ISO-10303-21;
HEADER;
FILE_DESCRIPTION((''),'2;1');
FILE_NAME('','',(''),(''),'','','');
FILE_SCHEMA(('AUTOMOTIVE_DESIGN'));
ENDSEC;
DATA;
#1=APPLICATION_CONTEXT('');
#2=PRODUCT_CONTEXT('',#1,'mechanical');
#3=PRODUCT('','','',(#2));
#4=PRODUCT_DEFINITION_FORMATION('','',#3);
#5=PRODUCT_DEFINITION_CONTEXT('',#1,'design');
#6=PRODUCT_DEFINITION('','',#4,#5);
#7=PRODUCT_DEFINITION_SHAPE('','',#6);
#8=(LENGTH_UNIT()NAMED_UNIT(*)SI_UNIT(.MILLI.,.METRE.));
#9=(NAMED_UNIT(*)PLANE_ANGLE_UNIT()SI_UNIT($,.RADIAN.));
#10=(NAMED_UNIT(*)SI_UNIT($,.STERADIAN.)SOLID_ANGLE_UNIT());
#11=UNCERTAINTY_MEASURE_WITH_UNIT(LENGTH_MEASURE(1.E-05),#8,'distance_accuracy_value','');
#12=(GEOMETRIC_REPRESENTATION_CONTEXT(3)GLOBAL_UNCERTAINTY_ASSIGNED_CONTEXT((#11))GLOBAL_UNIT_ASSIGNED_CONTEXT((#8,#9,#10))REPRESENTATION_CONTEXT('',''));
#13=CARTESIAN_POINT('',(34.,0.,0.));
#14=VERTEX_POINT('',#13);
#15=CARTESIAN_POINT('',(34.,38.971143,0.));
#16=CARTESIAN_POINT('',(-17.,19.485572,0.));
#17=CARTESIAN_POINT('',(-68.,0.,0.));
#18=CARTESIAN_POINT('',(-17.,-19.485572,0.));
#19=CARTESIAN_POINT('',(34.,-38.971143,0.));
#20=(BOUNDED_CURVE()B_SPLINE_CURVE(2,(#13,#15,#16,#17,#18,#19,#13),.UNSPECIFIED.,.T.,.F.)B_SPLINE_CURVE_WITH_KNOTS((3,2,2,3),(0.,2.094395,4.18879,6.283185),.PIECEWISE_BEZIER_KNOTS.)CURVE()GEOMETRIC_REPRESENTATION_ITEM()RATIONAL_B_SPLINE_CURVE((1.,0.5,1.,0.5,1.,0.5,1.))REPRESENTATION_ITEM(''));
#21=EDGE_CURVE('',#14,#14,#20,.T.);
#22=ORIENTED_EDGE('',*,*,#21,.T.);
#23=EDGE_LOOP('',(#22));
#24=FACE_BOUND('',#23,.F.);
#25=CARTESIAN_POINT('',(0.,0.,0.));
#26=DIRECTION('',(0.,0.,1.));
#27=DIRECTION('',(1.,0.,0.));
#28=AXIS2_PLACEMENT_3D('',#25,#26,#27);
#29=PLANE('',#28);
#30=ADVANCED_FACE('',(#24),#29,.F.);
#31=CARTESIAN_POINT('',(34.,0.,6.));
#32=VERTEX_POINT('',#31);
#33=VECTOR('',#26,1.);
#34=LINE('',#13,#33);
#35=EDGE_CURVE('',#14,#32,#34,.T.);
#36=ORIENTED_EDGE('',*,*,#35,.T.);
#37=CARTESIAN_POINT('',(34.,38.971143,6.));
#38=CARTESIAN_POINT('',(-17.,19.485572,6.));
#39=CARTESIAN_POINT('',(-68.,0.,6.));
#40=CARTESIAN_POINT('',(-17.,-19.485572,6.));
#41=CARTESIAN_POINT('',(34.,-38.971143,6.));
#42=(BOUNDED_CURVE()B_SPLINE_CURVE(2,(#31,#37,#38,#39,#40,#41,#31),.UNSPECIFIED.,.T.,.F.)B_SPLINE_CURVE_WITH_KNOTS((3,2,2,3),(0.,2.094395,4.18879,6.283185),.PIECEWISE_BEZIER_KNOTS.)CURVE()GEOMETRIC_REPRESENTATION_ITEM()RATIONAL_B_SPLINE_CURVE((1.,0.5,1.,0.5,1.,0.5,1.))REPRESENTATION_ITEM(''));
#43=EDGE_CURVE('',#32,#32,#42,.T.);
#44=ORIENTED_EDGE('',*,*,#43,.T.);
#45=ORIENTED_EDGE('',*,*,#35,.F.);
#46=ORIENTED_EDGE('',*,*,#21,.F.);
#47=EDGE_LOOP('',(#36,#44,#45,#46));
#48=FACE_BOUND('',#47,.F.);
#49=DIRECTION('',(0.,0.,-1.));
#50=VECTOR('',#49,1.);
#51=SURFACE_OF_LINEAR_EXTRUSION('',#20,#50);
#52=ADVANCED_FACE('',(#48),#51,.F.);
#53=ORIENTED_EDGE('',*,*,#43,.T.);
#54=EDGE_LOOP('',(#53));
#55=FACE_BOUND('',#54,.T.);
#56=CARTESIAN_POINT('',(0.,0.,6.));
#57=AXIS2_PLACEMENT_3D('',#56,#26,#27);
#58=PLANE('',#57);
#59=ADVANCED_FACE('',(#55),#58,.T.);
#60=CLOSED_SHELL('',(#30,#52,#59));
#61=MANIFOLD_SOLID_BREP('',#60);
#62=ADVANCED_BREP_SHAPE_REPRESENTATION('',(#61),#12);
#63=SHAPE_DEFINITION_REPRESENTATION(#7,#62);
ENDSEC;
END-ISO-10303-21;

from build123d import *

# Parameters (mm, degrees)
PAD_DEPTH = 6


with BuildPart() as part:
    # Sketch → Pad (new body)
    with BuildSketch(Plane.XY):
        with BuildLine():
            add(Edge.make_bspline(
                [(34, 0), (34, 38.971143), (-17, 19.485572), (-68, 0), (-17, -19.485572), (34, -38.971143), (34, 0)],
                knots=[0, 0, 0, 2.094395, 2.094395, 4.18879, 4.18879, 6.283185, 6.283185, 6.283185], degree=2, weights=[1, 0.5, 1, 0.5, 1, 0.5, 1]))
        make_face()
    extrude(amount=PAD_DEPTH)


solid = part.part
